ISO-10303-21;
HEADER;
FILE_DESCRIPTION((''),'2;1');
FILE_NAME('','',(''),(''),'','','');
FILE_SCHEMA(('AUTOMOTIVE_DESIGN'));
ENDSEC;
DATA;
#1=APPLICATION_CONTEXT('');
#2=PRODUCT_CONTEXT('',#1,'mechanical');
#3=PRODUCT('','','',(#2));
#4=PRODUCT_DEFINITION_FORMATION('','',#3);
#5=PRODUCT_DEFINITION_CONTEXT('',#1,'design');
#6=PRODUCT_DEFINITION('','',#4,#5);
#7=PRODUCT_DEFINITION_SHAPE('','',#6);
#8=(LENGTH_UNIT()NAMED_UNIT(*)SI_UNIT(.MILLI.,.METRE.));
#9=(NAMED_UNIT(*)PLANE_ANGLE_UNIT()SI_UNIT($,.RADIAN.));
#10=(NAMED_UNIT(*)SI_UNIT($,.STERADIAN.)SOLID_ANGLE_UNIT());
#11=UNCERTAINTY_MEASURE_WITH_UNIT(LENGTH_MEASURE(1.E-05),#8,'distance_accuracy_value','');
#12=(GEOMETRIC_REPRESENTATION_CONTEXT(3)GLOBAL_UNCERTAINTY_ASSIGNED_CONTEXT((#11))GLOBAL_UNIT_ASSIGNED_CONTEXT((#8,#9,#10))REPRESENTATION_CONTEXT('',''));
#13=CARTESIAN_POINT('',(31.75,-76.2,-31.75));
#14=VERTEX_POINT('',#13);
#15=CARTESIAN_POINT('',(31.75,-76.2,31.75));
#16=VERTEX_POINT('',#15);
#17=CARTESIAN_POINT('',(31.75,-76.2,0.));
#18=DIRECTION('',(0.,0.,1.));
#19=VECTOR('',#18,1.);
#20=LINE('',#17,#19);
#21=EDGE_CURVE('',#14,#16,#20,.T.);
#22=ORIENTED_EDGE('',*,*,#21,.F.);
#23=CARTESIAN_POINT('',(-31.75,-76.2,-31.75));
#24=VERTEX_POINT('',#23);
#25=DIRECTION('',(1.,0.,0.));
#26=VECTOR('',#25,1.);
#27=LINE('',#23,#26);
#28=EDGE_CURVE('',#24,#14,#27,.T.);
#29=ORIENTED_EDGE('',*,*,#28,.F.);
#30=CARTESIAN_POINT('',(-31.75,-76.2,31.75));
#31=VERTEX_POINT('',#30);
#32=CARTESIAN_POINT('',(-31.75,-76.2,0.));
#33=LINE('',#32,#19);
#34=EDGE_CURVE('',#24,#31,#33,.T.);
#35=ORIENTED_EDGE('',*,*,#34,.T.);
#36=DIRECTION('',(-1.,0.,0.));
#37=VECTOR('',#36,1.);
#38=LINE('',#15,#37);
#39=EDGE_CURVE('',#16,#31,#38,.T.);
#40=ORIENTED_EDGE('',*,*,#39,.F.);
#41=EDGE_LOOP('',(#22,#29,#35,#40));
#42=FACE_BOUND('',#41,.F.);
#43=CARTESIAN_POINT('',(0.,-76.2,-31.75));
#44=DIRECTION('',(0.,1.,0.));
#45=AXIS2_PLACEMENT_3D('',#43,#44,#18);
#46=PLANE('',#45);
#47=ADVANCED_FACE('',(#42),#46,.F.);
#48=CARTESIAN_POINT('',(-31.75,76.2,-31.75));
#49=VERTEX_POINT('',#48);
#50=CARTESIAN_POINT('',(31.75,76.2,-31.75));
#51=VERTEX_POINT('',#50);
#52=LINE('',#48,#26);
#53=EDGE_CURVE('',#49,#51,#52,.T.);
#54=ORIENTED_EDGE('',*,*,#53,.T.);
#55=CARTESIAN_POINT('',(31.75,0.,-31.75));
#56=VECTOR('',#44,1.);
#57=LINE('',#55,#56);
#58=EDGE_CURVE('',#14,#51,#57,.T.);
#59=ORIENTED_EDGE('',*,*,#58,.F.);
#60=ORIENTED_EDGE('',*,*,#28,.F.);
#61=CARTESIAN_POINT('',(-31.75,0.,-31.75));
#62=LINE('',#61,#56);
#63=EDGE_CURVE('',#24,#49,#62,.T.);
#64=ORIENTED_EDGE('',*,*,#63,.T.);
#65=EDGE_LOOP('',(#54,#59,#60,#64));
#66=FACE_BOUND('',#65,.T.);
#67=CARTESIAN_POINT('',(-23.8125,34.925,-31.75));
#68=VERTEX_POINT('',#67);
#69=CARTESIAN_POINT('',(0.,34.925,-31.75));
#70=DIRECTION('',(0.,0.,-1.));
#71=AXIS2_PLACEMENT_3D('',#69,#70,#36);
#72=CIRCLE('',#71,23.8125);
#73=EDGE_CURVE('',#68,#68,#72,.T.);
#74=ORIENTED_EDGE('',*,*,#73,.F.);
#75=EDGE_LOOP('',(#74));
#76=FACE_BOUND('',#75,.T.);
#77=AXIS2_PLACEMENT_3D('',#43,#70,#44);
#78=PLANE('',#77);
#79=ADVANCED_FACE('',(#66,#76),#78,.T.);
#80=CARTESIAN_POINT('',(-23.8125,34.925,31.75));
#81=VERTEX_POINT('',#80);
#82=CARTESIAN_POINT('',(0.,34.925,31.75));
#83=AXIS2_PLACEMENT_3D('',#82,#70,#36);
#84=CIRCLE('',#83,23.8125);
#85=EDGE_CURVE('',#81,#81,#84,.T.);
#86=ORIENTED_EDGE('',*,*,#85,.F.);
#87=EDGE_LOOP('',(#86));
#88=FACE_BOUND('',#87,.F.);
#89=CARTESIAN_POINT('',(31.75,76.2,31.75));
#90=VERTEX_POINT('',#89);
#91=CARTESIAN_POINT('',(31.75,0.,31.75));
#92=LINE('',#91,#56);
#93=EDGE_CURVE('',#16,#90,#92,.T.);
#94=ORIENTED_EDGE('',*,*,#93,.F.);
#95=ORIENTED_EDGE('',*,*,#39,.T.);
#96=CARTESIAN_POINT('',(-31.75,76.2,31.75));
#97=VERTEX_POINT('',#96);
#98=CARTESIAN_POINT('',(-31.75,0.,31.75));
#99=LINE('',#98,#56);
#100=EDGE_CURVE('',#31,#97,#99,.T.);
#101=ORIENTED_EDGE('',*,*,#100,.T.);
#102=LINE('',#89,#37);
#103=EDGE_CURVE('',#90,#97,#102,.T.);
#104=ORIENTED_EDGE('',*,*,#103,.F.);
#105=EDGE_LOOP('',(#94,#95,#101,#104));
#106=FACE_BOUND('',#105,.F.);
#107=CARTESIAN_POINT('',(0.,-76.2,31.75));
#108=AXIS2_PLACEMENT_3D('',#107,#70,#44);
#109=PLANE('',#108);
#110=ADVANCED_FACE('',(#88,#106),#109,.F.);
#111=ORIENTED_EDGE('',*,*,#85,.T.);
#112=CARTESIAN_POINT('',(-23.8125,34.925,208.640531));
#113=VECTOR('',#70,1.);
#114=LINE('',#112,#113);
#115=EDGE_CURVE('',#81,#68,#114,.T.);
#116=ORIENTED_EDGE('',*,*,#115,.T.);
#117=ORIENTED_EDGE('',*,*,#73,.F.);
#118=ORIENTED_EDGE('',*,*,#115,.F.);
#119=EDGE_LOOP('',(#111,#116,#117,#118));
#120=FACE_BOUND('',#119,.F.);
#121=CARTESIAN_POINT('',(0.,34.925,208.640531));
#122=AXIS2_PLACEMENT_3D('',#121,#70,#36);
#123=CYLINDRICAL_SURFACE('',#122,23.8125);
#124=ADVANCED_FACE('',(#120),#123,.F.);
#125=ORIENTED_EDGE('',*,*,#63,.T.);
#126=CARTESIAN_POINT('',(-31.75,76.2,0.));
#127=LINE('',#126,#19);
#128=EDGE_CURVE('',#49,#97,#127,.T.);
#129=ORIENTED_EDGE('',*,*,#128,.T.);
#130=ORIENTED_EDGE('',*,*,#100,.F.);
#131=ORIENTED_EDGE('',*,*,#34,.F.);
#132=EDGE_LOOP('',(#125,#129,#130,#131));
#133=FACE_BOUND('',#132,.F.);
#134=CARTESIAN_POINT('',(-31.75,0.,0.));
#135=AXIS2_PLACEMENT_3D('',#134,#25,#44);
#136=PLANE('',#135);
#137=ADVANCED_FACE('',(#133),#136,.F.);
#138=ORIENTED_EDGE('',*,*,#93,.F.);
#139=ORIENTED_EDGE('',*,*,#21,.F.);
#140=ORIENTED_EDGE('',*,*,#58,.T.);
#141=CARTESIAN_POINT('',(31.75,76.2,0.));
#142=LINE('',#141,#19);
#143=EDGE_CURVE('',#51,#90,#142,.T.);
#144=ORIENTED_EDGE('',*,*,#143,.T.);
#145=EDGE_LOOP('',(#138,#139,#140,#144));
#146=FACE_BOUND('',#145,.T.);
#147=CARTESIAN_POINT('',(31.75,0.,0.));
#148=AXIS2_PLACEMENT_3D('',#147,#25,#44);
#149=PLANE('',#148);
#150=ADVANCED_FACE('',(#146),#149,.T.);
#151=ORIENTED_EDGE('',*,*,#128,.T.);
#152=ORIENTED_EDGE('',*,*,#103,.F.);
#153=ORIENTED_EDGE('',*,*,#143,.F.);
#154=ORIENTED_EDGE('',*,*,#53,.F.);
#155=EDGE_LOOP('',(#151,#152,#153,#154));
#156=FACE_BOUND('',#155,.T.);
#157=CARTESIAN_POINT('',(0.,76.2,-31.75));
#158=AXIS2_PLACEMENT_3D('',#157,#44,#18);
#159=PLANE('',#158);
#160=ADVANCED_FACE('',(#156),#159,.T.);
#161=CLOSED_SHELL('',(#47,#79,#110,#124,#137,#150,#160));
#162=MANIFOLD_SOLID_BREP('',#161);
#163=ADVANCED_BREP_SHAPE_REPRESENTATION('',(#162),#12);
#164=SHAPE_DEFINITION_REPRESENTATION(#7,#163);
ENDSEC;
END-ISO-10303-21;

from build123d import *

# Parameters (mm, degrees)
F0_W     = 152.4
F0_H     = 63.5
F1_DEPTH = 31.75
F3_D     = 47.625


with BuildPart() as f1:
    # F0 (on Right) → F1 (new body, symmetric)
    with BuildSketch(Plane.YZ):
        Rectangle(F0_W, F0_H)
    extrude(amount=F1_DEPTH, both=True)

    # F3 (through all)
    with Locations(Plane.XY.offset(31.75)):
        with Locations((0, 34.925)):
            Hole(F3_D / 2)


solid = f1.part
